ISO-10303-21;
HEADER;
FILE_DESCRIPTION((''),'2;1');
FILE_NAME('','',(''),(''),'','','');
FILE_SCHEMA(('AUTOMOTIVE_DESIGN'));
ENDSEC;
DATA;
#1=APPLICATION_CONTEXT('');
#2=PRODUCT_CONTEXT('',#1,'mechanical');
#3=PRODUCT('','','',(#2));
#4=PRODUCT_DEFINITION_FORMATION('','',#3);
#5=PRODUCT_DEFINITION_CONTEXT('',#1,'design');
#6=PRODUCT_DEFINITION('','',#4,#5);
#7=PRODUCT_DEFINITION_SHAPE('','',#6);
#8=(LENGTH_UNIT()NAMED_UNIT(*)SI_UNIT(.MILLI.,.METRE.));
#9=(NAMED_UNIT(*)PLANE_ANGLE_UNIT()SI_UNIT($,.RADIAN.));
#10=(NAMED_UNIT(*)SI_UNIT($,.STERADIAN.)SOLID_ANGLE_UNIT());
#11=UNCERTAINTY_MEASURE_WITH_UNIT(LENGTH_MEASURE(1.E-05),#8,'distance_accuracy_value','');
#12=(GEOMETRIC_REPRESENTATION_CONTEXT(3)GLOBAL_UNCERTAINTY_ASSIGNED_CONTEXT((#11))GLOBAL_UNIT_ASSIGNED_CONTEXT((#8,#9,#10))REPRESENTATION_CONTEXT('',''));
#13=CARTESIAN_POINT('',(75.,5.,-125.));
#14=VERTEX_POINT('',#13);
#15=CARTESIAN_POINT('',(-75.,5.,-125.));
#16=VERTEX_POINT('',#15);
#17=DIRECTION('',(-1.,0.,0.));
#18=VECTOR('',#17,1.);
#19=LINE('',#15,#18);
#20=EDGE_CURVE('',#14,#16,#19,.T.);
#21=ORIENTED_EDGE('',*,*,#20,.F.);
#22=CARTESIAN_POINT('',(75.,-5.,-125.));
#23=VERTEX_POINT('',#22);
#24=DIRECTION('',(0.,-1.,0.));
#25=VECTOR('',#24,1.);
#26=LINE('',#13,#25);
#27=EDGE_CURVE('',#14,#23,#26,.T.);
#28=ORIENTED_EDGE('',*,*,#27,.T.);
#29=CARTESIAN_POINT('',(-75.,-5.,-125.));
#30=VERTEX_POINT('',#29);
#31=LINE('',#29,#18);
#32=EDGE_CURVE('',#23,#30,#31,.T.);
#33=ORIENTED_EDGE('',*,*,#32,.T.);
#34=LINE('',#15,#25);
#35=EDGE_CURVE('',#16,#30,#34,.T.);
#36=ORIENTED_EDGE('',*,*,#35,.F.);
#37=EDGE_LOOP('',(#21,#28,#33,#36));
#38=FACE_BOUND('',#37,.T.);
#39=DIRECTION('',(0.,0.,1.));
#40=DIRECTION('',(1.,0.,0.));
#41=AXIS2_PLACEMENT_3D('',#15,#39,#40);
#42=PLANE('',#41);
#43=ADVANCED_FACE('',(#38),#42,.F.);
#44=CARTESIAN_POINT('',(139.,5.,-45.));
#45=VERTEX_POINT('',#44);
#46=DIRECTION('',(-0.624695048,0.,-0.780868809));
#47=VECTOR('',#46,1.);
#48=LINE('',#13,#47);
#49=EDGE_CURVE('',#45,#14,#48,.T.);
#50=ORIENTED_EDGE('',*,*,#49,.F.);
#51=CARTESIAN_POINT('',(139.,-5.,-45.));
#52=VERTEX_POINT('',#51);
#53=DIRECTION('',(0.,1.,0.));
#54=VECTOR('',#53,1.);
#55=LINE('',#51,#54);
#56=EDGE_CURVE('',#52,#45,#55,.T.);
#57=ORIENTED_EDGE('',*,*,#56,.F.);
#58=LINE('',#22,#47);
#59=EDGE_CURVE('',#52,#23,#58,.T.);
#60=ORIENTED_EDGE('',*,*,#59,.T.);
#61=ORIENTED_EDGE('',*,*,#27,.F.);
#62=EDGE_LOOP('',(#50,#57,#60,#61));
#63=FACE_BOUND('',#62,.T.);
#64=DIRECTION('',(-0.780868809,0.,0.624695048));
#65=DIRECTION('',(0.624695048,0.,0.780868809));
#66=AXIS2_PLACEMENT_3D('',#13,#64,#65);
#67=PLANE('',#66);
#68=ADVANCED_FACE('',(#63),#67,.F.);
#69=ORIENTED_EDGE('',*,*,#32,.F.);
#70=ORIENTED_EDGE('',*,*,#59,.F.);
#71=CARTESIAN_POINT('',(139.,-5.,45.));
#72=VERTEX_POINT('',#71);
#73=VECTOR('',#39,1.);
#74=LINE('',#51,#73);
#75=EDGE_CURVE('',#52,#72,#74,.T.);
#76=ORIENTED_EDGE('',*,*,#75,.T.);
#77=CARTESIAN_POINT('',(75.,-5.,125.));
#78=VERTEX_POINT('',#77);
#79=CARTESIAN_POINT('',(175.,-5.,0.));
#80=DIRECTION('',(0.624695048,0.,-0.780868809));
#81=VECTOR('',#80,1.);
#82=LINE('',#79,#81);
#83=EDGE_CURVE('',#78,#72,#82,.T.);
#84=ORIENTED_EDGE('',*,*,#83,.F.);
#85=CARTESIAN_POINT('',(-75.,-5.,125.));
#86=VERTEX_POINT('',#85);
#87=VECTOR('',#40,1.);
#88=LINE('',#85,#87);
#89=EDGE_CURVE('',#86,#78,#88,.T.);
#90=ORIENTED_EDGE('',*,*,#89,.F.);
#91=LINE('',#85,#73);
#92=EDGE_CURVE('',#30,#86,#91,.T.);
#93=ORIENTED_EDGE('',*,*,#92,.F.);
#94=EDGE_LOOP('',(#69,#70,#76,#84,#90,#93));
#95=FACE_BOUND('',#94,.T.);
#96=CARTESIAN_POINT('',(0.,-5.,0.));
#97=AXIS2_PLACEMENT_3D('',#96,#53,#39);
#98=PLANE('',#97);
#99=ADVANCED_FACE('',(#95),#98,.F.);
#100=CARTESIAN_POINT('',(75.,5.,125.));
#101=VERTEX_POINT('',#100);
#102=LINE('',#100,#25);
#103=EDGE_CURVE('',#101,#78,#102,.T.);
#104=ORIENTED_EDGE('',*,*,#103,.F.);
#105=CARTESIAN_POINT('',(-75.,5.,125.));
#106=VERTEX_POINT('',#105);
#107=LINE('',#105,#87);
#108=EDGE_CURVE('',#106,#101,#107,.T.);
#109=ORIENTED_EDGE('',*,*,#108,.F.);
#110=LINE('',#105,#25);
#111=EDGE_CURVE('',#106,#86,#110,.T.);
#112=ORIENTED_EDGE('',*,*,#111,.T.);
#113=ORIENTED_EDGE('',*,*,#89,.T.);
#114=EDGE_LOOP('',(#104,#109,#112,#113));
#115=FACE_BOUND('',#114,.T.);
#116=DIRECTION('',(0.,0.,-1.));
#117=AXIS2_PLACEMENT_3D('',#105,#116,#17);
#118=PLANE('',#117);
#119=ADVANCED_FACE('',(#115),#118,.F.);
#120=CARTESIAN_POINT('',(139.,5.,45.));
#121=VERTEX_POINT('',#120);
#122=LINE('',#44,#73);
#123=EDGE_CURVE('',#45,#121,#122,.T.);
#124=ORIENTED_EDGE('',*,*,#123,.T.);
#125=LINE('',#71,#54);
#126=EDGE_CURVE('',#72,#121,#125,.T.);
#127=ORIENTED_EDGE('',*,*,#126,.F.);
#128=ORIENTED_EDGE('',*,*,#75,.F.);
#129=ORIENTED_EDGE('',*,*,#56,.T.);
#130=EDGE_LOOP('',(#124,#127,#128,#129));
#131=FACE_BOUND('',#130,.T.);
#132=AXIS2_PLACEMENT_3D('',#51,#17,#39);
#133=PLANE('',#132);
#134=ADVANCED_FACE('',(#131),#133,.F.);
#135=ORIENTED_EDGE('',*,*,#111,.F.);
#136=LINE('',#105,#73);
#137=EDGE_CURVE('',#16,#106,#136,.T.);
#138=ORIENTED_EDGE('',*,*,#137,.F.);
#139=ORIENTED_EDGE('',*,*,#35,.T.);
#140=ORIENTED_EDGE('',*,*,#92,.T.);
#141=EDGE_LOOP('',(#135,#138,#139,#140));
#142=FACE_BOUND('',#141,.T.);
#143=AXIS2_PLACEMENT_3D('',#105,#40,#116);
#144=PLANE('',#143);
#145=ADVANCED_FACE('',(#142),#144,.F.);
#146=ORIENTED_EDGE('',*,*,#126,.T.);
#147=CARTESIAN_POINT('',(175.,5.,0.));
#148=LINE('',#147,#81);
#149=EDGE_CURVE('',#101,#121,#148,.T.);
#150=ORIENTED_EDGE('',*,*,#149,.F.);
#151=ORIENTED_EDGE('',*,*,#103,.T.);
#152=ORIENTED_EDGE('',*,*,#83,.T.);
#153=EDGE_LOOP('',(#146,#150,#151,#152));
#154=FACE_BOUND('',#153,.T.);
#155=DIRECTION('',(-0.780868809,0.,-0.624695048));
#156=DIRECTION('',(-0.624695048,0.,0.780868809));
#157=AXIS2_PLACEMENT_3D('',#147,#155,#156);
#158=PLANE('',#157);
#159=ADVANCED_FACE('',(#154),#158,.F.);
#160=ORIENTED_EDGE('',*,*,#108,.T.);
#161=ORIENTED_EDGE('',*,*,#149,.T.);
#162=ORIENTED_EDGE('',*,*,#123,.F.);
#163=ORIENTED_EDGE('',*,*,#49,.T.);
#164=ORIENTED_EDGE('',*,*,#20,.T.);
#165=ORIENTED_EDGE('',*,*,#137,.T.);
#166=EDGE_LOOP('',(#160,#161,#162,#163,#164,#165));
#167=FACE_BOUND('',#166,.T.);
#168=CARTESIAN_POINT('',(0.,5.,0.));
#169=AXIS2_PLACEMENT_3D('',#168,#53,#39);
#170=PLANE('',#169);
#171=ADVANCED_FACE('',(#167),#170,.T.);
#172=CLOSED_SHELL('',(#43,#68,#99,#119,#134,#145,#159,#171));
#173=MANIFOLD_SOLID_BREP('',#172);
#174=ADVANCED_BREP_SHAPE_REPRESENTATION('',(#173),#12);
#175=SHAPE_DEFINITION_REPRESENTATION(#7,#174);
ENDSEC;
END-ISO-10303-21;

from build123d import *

# Parameters (mm, degrees)
BOSS_EXTRUDE1_DEPTH = 5
SKETCH3_W           = 36
SKETCH3_H           = 90
CUT_EXTRUDE1_DEPTH  = 10


with BuildPart() as part:
    # Sketch1 → Boss-Extrude1 (new, symmetric)
    with BuildSketch(Plane(origin=(0, 0, 0), x_dir=(1, 0, 0), z_dir=(0, 1, 0))):
        Polygon((75, 125), (175, 0), (75, -125), (-75, -125), (-75, 125), align=None)
    extrude(amount=BOSS_EXTRUDE1_DEPTH, both=True)

    # Sketch3 → Cut-Extrude1 (cut)
    with BuildSketch(Plane(origin=(0, 5, 0), x_dir=(1, 0, 0), z_dir=(0, 1, 0))):
        with Locations((157, 0)):
            Rectangle(SKETCH3_W, SKETCH3_H)
    extrude(amount=-CUT_EXTRUDE1_DEPTH, mode=Mode.SUBTRACT)


solid = part.part
